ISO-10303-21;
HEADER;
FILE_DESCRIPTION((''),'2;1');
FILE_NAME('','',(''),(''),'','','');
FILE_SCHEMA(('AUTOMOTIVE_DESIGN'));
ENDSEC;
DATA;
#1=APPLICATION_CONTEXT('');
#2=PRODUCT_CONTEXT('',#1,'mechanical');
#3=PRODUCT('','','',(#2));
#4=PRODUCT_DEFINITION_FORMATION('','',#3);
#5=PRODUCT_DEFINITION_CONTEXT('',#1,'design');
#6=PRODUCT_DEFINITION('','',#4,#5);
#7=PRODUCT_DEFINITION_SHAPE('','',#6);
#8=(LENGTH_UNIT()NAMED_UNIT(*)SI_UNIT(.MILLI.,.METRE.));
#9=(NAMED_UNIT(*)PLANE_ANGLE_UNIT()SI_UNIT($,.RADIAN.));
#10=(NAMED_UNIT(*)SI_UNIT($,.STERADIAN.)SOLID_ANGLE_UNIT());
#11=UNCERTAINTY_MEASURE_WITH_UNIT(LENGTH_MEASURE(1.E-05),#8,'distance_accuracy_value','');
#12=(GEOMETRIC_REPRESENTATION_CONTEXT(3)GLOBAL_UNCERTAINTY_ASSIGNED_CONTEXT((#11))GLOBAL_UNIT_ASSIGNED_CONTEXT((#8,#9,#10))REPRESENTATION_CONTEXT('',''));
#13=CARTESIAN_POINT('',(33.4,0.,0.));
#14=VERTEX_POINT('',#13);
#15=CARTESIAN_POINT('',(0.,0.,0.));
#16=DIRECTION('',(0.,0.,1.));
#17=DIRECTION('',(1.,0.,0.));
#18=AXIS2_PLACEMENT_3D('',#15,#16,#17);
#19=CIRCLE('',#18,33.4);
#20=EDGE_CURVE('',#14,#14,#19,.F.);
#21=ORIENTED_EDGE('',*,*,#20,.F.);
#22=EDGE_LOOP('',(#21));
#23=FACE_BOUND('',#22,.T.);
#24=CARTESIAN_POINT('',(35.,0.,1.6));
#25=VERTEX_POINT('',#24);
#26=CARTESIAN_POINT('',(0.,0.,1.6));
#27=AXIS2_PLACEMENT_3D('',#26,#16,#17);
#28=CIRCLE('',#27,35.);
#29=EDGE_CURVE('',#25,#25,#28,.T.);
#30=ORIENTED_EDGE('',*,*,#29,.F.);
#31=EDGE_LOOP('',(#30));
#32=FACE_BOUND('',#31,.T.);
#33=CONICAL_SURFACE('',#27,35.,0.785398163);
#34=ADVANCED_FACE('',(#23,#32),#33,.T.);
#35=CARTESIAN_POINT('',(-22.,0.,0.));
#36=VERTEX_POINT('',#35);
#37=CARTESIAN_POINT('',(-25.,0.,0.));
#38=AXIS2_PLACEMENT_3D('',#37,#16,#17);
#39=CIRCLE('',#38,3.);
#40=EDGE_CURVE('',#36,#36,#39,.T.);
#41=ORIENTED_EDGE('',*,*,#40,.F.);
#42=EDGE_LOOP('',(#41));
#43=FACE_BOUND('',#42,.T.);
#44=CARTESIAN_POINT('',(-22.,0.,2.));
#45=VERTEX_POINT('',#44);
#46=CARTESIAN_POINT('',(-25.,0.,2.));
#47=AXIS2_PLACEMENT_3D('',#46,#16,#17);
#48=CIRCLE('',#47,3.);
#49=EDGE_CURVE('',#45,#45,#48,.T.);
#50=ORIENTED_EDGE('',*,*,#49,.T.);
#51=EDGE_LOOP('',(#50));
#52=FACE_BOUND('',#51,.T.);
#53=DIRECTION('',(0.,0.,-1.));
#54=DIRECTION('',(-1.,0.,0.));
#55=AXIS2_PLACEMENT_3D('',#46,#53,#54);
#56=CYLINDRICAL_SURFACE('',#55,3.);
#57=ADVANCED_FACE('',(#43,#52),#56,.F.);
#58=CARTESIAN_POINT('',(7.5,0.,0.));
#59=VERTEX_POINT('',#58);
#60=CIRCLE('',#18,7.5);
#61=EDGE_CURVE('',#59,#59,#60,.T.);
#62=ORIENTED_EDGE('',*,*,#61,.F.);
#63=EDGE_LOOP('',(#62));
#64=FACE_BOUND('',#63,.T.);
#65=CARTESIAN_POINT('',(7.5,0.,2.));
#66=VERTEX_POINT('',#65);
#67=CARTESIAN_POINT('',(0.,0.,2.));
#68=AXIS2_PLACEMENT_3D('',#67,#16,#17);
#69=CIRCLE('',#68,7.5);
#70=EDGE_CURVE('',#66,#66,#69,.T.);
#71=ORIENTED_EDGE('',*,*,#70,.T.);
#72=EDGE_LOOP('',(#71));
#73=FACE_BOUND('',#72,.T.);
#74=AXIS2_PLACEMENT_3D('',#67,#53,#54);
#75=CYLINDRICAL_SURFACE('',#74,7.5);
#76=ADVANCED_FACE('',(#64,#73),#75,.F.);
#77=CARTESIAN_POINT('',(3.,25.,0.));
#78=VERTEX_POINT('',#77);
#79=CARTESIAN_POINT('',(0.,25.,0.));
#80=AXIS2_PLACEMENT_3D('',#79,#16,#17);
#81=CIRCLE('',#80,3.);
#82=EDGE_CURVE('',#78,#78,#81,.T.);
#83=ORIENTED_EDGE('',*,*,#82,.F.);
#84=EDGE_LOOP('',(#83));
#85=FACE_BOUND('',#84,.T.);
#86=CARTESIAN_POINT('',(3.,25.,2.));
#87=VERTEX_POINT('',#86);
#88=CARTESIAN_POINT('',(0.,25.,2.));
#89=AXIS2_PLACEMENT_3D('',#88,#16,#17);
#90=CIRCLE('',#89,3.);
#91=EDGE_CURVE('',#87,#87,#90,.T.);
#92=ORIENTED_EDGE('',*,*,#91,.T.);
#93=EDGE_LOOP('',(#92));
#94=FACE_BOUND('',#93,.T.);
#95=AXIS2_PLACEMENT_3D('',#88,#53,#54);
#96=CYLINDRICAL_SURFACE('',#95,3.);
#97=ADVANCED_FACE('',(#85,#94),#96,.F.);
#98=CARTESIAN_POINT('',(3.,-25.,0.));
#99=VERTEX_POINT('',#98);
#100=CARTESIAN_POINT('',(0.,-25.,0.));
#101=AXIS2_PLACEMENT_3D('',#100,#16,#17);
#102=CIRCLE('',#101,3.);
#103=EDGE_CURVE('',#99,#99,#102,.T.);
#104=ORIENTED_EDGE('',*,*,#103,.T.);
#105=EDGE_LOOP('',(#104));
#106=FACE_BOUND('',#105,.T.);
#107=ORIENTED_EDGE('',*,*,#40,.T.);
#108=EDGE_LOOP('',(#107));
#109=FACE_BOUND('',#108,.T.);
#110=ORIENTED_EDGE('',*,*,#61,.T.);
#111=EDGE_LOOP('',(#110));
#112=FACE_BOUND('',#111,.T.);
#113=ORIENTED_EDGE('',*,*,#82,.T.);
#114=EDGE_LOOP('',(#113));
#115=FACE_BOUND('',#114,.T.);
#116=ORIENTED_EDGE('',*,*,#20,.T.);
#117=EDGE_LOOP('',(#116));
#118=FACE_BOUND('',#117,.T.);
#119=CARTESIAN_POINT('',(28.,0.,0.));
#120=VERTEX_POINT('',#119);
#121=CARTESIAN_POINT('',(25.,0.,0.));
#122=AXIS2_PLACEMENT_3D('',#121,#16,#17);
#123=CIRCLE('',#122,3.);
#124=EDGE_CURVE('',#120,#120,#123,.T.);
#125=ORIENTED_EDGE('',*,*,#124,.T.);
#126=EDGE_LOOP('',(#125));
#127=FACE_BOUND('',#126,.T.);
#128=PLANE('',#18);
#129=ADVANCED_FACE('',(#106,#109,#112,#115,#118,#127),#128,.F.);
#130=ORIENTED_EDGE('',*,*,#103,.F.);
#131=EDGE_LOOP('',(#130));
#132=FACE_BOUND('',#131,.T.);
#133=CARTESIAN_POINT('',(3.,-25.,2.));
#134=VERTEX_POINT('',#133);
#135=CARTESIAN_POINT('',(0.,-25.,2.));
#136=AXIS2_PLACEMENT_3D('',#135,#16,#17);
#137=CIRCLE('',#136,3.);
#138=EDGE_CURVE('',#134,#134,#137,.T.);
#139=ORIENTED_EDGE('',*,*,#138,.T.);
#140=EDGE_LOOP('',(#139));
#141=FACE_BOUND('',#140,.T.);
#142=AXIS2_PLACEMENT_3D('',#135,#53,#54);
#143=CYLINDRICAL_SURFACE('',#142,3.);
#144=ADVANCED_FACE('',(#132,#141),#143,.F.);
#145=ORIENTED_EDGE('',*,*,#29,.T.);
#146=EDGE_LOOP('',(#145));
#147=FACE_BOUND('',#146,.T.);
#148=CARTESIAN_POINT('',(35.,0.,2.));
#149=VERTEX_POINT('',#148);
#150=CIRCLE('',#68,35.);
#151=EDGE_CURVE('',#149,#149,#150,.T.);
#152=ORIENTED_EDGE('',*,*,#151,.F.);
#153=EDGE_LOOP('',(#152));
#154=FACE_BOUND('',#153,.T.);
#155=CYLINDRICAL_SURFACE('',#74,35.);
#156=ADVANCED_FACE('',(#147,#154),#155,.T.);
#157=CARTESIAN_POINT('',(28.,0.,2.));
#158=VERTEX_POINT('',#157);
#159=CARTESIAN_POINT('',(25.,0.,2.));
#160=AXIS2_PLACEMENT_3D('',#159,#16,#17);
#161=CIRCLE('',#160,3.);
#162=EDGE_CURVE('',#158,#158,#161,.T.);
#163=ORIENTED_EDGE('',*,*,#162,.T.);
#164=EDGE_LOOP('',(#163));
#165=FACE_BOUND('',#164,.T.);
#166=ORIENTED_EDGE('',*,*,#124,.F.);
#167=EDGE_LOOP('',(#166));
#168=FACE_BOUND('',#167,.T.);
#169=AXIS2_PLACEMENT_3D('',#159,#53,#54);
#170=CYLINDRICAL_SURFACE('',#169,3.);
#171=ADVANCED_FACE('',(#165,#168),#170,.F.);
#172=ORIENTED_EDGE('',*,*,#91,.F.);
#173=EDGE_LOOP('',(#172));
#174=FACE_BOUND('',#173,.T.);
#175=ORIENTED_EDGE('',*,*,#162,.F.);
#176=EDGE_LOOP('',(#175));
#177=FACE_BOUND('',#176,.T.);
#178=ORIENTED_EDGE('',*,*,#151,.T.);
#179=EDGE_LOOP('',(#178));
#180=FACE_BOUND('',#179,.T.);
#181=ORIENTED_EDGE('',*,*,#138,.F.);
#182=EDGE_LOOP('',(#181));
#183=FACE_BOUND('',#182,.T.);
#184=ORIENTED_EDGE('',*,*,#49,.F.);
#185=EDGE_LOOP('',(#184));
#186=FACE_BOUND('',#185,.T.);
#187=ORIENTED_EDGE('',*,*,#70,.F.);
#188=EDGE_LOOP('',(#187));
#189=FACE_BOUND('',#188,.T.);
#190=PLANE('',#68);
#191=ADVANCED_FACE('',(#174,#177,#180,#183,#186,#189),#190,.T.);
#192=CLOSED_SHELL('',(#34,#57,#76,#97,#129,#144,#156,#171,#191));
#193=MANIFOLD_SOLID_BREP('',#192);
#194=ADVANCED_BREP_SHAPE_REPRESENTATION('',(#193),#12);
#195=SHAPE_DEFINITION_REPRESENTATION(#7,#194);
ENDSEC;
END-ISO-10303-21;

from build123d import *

# Parameters (mm, degrees)
SKETCH1_R           = 35
SKETCH1_R_2         = 7.5
SKETCH1_R_3         = 3
BOSS_EXTRUDE1_DEPTH = 2
CHAMFER1_SIZE       = 1.6


with BuildPart() as part:
    # Sketch1 → Boss-Extrude1 (new body)
    with BuildSketch(Plane.XY):
        Circle(SKETCH1_R)
        Circle(SKETCH1_R_2, mode=Mode.SUBTRACT)
        with Locations((25, 0)):
            Circle(SKETCH1_R_3, mode=Mode.SUBTRACT)
        with Locations((0, -25)):
            Circle(SKETCH1_R_3, mode=Mode.SUBTRACT)
        with Locations((-25, 0)):
            Circle(SKETCH1_R_3, mode=Mode.SUBTRACT)
        with Locations((0, 25)):
            Circle(SKETCH1_R_3, mode=Mode.SUBTRACT)
    extrude(amount=BOSS_EXTRUDE1_DEPTH)

    # Chamfer1
    chamfer1_edges = [part.edges().sort_by_distance(p)[0] for p in [
        (-35, 0, 0),
    ]]
    chamfer(chamfer1_edges, length=CHAMFER1_SIZE)


solid = part.part
